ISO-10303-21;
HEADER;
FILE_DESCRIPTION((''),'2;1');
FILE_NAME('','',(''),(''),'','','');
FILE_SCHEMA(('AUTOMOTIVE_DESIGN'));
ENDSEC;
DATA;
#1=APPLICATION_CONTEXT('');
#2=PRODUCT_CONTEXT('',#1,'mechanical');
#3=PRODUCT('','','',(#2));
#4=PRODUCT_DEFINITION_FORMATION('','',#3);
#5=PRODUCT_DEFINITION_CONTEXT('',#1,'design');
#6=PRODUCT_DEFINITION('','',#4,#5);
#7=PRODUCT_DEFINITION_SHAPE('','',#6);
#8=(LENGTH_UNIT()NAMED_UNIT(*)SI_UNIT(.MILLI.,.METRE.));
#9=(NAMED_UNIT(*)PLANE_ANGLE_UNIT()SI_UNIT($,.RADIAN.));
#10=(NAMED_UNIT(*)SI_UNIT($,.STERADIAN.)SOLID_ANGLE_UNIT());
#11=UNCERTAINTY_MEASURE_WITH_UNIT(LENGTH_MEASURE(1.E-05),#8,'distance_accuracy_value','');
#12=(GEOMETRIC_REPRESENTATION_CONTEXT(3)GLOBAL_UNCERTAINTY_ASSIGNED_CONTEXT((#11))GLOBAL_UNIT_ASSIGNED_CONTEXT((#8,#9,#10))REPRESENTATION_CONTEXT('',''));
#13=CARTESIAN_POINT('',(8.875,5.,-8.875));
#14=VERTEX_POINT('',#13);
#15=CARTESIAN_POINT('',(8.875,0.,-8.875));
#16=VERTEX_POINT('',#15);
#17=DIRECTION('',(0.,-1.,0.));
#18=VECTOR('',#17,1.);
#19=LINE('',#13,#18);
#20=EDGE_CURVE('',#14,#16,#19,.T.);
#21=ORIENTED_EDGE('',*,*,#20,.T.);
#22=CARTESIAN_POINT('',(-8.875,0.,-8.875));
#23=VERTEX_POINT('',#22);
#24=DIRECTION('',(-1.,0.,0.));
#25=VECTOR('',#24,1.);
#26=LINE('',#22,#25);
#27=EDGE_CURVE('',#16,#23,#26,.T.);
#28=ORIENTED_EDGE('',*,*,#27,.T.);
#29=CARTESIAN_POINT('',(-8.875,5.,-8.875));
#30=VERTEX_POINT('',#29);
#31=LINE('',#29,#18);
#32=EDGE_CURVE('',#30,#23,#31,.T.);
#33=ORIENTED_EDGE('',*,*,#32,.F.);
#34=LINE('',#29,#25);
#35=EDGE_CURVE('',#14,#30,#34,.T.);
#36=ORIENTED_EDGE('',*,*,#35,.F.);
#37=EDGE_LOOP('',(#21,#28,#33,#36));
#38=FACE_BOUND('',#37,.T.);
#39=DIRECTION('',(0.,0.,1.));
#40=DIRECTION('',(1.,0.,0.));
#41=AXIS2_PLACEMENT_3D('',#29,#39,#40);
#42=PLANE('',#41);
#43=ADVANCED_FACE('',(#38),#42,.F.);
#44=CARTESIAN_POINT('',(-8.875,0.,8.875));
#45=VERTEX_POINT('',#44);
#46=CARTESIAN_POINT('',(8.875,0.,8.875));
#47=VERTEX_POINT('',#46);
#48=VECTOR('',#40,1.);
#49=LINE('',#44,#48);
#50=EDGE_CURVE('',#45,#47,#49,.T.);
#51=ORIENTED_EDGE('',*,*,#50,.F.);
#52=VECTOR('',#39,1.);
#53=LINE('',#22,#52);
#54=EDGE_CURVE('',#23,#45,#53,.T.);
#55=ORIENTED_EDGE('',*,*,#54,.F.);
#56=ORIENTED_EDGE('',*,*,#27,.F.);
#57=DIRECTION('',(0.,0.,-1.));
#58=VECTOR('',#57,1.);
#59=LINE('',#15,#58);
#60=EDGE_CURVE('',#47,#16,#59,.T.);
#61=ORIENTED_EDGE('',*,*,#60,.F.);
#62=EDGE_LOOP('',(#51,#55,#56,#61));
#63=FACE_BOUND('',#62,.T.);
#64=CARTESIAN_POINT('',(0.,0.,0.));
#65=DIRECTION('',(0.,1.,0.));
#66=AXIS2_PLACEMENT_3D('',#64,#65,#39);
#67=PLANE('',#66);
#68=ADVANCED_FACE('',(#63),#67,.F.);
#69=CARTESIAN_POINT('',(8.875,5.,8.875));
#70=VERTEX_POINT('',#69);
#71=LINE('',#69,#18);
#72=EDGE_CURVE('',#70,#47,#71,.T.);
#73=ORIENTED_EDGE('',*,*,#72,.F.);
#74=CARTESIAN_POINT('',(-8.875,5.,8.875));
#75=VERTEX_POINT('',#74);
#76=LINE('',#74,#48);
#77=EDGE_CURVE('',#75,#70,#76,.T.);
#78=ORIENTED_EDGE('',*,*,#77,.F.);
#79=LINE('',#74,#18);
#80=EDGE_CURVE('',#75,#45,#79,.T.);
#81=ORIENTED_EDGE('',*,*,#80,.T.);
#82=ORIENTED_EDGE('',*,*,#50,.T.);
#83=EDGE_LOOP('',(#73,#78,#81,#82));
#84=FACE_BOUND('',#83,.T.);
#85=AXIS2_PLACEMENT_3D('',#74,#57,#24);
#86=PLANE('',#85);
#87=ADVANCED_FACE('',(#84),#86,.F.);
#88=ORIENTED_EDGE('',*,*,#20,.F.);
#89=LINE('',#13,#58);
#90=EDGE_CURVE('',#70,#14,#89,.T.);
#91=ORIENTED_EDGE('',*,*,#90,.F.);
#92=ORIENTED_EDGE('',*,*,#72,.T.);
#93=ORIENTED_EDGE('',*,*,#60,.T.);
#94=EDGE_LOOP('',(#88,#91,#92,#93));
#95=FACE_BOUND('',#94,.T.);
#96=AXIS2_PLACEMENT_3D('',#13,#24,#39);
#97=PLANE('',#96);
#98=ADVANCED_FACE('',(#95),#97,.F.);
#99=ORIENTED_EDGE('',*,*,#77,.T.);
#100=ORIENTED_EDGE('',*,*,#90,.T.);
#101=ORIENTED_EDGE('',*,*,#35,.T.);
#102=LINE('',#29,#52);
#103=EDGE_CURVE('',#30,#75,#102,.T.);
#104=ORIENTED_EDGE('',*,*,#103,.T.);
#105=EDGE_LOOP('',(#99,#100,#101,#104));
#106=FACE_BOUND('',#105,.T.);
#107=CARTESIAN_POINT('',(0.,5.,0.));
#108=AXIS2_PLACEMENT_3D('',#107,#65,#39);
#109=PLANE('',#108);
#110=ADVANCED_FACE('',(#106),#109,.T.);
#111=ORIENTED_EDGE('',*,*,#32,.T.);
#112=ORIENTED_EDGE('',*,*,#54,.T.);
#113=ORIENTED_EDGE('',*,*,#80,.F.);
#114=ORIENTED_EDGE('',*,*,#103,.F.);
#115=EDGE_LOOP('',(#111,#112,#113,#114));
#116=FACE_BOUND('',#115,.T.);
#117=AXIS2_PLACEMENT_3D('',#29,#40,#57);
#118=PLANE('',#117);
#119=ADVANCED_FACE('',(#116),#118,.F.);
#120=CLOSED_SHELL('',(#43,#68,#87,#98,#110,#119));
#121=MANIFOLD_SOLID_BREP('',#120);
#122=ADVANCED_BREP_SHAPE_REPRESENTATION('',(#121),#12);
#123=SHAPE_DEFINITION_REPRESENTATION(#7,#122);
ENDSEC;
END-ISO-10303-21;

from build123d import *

# Parameters (mm, degrees)
SKIZZE1_W                       = 17.75
SKIZZE1_H                       = 17.75
AUFSATZ_LINEAR_AUSTRAGEN1_DEPTH = 5


with BuildPart() as part:
    # Skizze1 → Aufsatz-Linear austragen1 (new body)
    with BuildSketch(Plane(origin=(0, 0, 0), x_dir=(1, 0, 0), z_dir=(0, 1, 0))):
        Rectangle(SKIZZE1_W, SKIZZE1_H)
    extrude(amount=AUFSATZ_LINEAR_AUSTRAGEN1_DEPTH)


solid = part.part
